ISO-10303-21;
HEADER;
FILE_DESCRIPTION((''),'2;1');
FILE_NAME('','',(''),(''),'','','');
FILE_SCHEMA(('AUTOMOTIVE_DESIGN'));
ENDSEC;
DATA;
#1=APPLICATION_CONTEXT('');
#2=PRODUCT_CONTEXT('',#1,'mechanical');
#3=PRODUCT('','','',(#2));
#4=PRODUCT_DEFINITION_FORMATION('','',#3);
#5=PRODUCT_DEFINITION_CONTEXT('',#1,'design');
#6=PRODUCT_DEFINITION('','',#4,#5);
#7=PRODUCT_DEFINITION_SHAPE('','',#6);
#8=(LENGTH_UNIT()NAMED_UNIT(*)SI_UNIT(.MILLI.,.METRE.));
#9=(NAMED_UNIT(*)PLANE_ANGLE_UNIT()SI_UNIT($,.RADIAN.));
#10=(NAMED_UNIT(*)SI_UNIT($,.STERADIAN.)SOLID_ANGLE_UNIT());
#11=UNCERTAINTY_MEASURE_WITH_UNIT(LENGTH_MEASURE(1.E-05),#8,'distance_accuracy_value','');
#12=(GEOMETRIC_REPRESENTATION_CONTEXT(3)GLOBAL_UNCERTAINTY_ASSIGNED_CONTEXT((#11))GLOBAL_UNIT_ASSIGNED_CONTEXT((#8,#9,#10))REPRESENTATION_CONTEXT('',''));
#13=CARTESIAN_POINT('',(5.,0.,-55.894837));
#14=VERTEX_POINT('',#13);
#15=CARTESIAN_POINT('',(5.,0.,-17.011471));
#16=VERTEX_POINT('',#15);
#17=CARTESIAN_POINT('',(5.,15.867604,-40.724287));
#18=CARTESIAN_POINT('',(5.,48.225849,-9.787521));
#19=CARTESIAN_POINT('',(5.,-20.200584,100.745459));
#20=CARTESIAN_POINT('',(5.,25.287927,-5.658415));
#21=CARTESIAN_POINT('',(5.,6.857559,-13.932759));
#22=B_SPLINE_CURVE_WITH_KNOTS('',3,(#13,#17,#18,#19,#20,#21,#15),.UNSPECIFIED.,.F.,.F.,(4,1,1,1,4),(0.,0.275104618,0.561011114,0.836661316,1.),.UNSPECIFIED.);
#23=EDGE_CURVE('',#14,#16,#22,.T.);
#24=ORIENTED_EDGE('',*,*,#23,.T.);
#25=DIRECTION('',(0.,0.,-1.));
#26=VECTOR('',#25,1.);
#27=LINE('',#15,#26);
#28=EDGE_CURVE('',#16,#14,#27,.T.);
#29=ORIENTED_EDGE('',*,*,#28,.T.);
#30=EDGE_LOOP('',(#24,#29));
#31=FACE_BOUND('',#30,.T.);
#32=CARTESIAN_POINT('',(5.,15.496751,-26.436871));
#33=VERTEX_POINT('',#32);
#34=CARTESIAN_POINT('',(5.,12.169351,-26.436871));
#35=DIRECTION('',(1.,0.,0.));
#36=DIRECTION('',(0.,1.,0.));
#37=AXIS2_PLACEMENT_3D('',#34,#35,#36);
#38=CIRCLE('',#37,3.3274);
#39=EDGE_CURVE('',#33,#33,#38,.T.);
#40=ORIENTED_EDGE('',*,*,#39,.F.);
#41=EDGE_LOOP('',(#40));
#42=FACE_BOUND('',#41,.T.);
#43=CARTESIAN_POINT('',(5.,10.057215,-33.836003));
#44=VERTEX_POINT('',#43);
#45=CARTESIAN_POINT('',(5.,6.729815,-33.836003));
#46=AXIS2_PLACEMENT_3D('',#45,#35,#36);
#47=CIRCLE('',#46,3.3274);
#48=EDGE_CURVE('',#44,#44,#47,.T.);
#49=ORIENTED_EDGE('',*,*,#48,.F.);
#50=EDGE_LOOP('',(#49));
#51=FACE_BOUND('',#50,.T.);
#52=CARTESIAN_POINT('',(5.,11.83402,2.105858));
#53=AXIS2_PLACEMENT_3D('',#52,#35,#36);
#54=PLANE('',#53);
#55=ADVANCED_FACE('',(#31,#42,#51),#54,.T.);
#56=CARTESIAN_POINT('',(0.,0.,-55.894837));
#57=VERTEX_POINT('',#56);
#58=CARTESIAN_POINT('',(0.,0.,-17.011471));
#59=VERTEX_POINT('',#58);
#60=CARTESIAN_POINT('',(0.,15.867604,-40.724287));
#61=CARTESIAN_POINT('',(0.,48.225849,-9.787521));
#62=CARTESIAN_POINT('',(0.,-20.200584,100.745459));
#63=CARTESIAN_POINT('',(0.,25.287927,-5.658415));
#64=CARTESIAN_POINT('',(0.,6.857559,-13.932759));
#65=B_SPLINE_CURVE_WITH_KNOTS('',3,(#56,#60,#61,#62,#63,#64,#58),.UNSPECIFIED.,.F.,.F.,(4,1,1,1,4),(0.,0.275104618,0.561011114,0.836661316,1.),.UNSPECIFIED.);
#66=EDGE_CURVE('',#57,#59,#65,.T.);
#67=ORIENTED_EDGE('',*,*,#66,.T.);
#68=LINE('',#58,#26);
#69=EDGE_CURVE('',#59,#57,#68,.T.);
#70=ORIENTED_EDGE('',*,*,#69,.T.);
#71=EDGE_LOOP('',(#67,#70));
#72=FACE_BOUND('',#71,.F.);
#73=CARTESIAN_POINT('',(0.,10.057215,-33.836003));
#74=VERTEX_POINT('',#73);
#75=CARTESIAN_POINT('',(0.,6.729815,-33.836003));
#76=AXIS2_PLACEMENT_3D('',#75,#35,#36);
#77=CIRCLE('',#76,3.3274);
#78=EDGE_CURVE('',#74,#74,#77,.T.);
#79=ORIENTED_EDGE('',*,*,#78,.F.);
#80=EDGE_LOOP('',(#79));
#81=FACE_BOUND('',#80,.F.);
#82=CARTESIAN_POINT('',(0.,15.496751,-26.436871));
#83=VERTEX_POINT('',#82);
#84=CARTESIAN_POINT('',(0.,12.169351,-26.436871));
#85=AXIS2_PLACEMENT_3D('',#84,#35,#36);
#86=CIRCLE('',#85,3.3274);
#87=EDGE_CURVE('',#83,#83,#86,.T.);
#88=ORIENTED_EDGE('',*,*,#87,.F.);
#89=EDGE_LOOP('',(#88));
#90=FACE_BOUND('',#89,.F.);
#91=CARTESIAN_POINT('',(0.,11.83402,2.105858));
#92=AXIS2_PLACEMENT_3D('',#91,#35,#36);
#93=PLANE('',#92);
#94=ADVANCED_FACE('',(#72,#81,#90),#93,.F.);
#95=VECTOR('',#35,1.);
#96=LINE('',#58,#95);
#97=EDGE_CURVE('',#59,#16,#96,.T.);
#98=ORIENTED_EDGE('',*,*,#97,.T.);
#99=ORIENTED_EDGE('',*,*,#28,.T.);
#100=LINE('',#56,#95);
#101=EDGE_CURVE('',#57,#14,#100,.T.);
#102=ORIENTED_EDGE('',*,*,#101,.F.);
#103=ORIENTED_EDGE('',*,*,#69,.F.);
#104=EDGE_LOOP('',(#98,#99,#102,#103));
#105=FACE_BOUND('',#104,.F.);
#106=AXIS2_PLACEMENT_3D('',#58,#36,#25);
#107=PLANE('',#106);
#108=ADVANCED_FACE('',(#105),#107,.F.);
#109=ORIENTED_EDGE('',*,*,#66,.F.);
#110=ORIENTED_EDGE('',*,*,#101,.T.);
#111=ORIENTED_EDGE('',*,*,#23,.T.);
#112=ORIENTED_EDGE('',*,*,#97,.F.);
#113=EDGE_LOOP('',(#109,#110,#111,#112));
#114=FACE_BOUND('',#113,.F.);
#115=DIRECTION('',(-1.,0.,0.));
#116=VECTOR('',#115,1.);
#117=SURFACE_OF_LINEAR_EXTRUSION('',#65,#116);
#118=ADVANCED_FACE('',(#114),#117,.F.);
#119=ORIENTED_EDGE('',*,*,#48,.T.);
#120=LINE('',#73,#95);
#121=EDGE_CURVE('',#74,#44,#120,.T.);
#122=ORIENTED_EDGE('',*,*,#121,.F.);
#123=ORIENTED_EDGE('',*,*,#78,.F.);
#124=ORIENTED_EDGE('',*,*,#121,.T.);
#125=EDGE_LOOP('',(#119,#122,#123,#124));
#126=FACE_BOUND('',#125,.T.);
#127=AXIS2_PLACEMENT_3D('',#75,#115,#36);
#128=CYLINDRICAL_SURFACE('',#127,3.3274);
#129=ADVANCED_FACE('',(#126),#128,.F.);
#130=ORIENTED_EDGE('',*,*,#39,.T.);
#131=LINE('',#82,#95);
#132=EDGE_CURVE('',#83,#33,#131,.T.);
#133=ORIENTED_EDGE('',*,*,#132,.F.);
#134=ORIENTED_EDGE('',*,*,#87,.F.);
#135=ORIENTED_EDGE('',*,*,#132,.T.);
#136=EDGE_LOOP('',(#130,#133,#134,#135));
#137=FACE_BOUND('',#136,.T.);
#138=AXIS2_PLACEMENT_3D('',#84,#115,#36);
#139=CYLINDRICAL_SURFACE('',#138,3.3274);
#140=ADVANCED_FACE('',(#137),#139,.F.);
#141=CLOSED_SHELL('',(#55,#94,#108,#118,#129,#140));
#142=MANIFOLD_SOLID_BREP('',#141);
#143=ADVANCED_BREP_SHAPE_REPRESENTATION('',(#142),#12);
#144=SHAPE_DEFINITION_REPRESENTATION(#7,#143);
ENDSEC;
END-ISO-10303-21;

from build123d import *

# Parameters (mm, degrees)
F0_R     = 3.3274
F1_DEPTH = 5


with BuildPart() as f1:
    # F0 (on Right) → F1 (new body)
    with BuildSketch(Plane.YZ):
        with BuildLine():
            Line((0, -17.0114710927), (0, -55.8948367834))
            add(Edge.make_bspline(
                [(0, -55.8948367834), (15.8676044293, -40.7242866382), (48.2258486977, -9.7875205076), (-20.2005839998, 100.745458921), (25.2879272635, -5.658414522), (6.857558871, -13.9327587495), (0, -17.0114710927)],
                knots=[0, 0, 0, 0, 0.2751046184, 0.5610111143, 0.8366613155, 1, 1, 1, 1], degree=3))
        make_face()
        with Locations((6.7298146896, -33.8360033929)):
            Circle(F0_R, mode=Mode.SUBTRACT)
        with Locations((12.16935087, -26.4368709177)):
            Circle(F0_R, mode=Mode.SUBTRACT)
    extrude(amount=F1_DEPTH)


solid = f1.part
